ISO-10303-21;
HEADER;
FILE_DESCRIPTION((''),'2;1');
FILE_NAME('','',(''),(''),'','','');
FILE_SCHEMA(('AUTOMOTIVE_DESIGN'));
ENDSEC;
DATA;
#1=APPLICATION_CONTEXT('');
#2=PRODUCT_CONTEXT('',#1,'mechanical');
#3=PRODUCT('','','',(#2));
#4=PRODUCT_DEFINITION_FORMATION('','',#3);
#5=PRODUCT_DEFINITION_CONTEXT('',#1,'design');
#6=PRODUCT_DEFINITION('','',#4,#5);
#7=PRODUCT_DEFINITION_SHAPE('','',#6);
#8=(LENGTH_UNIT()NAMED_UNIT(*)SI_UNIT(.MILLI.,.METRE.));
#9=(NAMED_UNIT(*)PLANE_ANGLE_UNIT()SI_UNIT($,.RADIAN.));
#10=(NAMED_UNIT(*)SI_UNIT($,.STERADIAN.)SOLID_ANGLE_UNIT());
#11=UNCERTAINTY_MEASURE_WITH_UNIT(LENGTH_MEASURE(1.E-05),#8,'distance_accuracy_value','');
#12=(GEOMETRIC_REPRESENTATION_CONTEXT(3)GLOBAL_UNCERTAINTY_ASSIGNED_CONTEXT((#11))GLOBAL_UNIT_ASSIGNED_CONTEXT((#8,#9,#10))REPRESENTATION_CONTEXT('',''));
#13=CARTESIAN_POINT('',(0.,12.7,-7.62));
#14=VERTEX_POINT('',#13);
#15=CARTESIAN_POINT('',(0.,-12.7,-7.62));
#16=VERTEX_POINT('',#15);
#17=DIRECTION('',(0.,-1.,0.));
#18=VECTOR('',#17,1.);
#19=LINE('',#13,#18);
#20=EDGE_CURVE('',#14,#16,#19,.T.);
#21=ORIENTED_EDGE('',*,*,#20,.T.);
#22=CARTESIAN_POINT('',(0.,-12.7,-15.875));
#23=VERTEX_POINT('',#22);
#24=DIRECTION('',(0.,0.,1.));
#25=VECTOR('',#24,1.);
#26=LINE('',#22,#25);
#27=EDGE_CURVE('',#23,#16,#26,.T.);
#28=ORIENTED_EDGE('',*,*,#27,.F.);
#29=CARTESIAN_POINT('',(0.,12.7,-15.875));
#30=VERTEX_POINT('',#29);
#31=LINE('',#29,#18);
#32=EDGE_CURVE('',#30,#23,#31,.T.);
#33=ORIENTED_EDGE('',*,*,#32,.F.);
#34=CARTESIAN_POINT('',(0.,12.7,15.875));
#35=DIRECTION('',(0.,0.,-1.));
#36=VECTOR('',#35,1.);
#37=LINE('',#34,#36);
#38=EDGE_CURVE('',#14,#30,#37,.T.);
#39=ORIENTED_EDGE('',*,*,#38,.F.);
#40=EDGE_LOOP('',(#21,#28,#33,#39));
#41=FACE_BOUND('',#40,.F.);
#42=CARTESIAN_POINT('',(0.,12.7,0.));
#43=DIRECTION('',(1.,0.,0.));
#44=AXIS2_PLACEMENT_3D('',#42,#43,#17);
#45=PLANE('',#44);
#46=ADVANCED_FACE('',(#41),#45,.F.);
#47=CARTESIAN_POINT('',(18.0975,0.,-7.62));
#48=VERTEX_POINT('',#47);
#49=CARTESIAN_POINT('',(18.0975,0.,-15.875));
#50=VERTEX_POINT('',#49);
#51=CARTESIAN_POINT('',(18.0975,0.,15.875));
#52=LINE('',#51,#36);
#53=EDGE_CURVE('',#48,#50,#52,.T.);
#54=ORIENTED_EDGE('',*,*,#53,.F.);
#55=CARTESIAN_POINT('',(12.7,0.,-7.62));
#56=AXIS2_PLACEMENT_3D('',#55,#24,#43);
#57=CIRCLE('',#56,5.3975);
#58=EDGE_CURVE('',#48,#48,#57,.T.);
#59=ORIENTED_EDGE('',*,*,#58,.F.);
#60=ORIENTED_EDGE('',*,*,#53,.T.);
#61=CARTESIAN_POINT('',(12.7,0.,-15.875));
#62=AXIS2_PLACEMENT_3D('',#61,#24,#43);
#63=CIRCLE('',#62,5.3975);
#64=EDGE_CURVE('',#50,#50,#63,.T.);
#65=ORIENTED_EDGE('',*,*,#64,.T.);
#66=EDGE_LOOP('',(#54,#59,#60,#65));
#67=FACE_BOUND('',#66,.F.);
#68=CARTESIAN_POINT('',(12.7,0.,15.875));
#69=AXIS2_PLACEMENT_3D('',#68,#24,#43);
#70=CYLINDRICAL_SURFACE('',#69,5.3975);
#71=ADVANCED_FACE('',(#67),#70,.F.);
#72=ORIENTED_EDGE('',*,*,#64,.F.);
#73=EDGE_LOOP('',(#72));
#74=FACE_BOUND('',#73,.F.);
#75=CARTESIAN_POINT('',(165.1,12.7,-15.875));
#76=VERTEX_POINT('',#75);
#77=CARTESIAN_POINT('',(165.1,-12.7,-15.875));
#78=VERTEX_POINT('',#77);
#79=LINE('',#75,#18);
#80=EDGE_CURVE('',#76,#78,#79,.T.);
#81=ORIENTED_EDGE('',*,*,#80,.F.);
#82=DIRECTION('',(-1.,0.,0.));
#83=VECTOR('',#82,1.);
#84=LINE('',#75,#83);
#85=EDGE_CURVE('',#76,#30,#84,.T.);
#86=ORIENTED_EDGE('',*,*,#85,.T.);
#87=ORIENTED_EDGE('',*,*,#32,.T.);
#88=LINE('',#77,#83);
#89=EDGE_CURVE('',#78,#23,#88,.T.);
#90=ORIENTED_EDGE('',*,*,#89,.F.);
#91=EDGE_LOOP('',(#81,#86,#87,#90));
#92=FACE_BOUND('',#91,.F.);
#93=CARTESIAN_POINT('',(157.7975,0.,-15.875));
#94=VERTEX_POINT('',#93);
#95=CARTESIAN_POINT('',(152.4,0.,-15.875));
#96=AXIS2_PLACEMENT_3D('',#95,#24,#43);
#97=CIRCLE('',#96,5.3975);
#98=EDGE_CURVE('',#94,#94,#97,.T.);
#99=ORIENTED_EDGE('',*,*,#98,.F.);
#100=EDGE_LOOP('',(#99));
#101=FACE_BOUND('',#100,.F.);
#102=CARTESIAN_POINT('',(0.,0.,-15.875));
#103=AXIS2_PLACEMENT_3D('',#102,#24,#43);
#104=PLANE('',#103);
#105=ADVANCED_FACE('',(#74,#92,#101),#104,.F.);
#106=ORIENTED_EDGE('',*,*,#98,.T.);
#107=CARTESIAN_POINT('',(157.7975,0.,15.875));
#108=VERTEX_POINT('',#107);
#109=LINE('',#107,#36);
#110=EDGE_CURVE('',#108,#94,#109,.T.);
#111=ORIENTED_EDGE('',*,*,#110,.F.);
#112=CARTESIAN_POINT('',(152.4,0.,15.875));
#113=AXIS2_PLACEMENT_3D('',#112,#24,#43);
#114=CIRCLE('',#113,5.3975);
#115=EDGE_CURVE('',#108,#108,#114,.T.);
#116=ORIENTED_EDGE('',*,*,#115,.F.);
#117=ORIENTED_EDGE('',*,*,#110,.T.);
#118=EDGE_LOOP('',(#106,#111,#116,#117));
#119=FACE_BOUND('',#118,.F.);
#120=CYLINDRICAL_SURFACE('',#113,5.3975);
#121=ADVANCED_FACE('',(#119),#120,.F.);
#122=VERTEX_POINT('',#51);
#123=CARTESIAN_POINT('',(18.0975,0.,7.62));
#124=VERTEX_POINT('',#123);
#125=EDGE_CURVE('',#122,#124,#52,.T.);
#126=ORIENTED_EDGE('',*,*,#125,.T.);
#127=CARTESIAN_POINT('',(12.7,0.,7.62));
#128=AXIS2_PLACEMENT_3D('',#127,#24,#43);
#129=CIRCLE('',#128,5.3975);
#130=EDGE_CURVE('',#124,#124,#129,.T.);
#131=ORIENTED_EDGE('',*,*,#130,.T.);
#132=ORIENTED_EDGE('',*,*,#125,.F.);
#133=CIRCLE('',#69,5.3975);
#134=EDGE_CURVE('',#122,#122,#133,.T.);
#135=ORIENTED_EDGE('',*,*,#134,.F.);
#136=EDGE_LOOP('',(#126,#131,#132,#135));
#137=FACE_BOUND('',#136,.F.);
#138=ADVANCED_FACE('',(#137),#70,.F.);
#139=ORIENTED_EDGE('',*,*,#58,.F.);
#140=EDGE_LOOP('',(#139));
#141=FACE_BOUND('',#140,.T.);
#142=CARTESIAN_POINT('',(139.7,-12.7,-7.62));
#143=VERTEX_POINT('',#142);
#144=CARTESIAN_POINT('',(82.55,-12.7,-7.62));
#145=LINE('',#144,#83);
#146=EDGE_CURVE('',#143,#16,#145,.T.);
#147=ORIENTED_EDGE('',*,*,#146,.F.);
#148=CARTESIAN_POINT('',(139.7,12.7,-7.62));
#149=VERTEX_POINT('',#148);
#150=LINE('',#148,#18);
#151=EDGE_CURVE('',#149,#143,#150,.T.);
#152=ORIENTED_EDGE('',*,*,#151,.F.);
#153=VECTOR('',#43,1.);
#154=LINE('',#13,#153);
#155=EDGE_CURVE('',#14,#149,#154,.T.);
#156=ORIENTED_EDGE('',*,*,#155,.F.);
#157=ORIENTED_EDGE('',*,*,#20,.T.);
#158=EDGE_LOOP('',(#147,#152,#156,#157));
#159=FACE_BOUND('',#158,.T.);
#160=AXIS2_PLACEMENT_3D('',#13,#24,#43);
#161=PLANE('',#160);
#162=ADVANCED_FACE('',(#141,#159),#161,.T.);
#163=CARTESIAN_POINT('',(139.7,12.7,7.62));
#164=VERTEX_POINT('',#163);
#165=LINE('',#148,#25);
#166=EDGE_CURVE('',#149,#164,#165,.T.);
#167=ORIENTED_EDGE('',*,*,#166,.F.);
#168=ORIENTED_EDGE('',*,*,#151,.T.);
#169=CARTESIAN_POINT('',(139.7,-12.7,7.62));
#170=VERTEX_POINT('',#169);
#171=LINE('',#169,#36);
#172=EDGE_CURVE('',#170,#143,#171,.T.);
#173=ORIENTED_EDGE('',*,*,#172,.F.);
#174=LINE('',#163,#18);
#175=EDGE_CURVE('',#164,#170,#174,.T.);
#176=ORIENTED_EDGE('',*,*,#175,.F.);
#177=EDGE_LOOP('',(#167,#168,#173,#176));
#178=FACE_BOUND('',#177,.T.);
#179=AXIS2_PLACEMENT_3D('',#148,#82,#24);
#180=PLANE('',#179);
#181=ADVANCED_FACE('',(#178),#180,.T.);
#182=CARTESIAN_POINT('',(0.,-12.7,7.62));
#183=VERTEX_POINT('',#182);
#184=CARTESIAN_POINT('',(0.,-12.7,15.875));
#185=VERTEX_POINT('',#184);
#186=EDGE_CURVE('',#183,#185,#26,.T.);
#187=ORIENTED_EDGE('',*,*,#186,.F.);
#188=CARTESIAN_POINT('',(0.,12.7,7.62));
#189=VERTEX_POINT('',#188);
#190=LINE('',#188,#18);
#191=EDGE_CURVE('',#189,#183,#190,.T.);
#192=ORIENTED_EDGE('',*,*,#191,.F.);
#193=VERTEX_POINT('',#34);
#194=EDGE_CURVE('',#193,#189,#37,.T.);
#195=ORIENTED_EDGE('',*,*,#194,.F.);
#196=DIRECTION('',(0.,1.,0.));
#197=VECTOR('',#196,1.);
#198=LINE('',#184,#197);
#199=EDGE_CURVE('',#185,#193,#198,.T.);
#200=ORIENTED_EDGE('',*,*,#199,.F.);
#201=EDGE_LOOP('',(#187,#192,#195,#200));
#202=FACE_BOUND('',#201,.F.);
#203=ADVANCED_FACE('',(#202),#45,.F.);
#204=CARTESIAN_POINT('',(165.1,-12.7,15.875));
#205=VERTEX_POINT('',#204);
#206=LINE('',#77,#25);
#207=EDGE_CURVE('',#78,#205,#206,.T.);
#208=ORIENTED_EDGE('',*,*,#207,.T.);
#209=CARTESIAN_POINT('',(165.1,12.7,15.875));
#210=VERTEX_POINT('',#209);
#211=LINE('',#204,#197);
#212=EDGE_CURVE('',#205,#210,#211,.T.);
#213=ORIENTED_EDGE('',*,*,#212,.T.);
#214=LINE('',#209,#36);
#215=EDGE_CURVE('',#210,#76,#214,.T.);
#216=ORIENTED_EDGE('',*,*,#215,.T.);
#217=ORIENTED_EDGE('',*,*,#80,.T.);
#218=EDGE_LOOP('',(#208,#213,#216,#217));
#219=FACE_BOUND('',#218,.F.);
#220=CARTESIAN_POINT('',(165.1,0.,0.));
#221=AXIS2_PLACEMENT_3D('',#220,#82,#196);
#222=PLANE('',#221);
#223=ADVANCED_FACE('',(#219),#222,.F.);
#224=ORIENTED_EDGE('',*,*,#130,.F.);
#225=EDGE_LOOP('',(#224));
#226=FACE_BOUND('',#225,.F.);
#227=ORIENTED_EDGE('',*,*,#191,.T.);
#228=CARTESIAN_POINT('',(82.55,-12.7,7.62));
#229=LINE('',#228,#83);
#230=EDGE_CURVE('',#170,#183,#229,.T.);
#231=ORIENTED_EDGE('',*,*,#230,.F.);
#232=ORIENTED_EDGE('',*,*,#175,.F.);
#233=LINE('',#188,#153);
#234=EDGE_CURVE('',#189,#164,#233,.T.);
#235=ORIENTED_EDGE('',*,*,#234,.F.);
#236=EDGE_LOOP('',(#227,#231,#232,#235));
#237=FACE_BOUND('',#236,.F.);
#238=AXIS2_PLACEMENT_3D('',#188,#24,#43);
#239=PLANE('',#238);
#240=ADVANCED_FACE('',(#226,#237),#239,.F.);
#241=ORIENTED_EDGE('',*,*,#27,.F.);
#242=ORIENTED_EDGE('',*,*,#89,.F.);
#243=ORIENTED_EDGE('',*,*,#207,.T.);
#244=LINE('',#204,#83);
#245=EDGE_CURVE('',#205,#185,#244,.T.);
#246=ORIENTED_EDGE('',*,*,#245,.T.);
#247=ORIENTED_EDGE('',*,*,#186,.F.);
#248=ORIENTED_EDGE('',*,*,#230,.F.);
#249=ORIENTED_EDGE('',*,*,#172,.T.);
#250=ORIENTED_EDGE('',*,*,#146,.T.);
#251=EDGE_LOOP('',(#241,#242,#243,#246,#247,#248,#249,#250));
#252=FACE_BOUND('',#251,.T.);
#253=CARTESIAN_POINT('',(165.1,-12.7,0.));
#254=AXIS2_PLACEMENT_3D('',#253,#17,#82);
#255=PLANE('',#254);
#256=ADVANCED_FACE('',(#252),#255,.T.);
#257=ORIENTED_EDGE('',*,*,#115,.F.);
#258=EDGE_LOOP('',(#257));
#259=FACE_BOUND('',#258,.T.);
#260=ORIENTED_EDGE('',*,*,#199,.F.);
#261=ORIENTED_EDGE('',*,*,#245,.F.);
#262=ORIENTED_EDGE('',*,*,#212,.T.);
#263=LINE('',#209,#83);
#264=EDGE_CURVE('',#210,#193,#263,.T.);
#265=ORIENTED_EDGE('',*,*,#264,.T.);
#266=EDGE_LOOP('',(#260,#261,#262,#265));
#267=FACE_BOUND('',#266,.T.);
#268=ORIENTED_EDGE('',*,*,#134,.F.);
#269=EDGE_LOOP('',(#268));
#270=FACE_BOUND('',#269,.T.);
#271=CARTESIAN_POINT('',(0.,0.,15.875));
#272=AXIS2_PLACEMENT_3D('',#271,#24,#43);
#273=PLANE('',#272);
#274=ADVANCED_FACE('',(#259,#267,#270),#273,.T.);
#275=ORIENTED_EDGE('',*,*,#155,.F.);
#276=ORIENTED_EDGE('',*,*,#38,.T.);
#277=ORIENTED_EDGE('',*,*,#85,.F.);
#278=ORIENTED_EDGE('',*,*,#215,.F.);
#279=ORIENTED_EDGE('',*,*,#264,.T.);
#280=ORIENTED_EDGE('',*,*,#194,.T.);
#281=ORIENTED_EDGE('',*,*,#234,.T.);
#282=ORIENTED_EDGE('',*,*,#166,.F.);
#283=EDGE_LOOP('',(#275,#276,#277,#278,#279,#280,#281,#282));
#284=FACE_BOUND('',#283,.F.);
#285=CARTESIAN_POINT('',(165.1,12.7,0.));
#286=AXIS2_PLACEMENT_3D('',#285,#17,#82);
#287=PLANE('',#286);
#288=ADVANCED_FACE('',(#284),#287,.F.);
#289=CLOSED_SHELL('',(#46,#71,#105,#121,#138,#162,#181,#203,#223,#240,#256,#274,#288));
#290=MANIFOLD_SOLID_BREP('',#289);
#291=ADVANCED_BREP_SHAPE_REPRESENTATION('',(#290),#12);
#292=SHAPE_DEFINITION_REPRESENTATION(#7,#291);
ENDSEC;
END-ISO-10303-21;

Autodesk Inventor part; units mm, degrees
ref_plane "YZ Plane" through (0, 0, 0) normal (1, 0, 0) x (0, 1, 0)
ref_plane "XZ Plane" through (0, 0, 0) normal (0, 1, 0) x (-1, 0, 0)
ref_plane "XY Plane" through (0, 0, 0) normal (0, 0, 1) x (1, 0, 0)
sketch "Sketch1" plane through (0, 0, 0) normal (0, 0, 1) x (1, 0, 0)
  line L0 (0, 0) -> (165.1, 0)
  line L1 (165.1, 0) -> (165.1, 12.7)
  line L2 (165.1, 12.7) -> (0, 12.7)
  line L3 (0, 12.7) -> (0, 0)
  line L4 (165.1, 0) -> (165.1, -12.7)
  line L5 (165.1, -12.7) -> (0, -12.7)
  line L6 (0, -12.7) -> (0, 0)
  dimension "d2" = 165.1
  dimension "d3" = 25.4
extrude "Extrusion1" add sketch "Sketch1" along normal mid plane 31.75
sketch "Sketch3" plane through (0, 12.7, 15.875) normal (0, 1, 0) x (1, 0, 0)
  line L0 (0, 15.875) -> (165.1, 15.875) construction
  line L1 (165.1, 31.75) -> (165.1, 0) construction
  line L2 (0, 31.75) -> (0, 0) projected
  line L3 (0, 23.495) -> (139.7, 23.495)
  line L4 (139.7, 23.495) -> (139.7, 15.875)
  line L5 (0, 23.495) -> (0, 15.875)
  line L6 (0, 0) -> (0, 31.75)
  line L7 (0, 8.255) -> (139.7, 8.255)
  line L8 (139.7, 8.255) -> (139.7, 15.875)
  dimension "d6" = 139.7
  dimension "d7" = 7.62
extrude "Extrusion2" cut sketch "Sketch3" against normal through all
sketch "Sketch4" plane through (0, 0, 15.875) normal (0, 0, 1) x (1, 0, 0)
  circle A0 centre (12.7, 0) radius 5.3975
  circle A1 centre (152.4, 0) radius 5.3975
  line L0 (165.1, -12.7) -> (165.1, 12.7) projected
  point P0 (0, 0)
  dimension "d10" = 10.795
  dimension "d11" = 12.7
  dimension "d12" = 12.7
extrude "Extrusion3" cut sketch "Sketch4" against normal through all
properties part number "connectiingRodV03"
